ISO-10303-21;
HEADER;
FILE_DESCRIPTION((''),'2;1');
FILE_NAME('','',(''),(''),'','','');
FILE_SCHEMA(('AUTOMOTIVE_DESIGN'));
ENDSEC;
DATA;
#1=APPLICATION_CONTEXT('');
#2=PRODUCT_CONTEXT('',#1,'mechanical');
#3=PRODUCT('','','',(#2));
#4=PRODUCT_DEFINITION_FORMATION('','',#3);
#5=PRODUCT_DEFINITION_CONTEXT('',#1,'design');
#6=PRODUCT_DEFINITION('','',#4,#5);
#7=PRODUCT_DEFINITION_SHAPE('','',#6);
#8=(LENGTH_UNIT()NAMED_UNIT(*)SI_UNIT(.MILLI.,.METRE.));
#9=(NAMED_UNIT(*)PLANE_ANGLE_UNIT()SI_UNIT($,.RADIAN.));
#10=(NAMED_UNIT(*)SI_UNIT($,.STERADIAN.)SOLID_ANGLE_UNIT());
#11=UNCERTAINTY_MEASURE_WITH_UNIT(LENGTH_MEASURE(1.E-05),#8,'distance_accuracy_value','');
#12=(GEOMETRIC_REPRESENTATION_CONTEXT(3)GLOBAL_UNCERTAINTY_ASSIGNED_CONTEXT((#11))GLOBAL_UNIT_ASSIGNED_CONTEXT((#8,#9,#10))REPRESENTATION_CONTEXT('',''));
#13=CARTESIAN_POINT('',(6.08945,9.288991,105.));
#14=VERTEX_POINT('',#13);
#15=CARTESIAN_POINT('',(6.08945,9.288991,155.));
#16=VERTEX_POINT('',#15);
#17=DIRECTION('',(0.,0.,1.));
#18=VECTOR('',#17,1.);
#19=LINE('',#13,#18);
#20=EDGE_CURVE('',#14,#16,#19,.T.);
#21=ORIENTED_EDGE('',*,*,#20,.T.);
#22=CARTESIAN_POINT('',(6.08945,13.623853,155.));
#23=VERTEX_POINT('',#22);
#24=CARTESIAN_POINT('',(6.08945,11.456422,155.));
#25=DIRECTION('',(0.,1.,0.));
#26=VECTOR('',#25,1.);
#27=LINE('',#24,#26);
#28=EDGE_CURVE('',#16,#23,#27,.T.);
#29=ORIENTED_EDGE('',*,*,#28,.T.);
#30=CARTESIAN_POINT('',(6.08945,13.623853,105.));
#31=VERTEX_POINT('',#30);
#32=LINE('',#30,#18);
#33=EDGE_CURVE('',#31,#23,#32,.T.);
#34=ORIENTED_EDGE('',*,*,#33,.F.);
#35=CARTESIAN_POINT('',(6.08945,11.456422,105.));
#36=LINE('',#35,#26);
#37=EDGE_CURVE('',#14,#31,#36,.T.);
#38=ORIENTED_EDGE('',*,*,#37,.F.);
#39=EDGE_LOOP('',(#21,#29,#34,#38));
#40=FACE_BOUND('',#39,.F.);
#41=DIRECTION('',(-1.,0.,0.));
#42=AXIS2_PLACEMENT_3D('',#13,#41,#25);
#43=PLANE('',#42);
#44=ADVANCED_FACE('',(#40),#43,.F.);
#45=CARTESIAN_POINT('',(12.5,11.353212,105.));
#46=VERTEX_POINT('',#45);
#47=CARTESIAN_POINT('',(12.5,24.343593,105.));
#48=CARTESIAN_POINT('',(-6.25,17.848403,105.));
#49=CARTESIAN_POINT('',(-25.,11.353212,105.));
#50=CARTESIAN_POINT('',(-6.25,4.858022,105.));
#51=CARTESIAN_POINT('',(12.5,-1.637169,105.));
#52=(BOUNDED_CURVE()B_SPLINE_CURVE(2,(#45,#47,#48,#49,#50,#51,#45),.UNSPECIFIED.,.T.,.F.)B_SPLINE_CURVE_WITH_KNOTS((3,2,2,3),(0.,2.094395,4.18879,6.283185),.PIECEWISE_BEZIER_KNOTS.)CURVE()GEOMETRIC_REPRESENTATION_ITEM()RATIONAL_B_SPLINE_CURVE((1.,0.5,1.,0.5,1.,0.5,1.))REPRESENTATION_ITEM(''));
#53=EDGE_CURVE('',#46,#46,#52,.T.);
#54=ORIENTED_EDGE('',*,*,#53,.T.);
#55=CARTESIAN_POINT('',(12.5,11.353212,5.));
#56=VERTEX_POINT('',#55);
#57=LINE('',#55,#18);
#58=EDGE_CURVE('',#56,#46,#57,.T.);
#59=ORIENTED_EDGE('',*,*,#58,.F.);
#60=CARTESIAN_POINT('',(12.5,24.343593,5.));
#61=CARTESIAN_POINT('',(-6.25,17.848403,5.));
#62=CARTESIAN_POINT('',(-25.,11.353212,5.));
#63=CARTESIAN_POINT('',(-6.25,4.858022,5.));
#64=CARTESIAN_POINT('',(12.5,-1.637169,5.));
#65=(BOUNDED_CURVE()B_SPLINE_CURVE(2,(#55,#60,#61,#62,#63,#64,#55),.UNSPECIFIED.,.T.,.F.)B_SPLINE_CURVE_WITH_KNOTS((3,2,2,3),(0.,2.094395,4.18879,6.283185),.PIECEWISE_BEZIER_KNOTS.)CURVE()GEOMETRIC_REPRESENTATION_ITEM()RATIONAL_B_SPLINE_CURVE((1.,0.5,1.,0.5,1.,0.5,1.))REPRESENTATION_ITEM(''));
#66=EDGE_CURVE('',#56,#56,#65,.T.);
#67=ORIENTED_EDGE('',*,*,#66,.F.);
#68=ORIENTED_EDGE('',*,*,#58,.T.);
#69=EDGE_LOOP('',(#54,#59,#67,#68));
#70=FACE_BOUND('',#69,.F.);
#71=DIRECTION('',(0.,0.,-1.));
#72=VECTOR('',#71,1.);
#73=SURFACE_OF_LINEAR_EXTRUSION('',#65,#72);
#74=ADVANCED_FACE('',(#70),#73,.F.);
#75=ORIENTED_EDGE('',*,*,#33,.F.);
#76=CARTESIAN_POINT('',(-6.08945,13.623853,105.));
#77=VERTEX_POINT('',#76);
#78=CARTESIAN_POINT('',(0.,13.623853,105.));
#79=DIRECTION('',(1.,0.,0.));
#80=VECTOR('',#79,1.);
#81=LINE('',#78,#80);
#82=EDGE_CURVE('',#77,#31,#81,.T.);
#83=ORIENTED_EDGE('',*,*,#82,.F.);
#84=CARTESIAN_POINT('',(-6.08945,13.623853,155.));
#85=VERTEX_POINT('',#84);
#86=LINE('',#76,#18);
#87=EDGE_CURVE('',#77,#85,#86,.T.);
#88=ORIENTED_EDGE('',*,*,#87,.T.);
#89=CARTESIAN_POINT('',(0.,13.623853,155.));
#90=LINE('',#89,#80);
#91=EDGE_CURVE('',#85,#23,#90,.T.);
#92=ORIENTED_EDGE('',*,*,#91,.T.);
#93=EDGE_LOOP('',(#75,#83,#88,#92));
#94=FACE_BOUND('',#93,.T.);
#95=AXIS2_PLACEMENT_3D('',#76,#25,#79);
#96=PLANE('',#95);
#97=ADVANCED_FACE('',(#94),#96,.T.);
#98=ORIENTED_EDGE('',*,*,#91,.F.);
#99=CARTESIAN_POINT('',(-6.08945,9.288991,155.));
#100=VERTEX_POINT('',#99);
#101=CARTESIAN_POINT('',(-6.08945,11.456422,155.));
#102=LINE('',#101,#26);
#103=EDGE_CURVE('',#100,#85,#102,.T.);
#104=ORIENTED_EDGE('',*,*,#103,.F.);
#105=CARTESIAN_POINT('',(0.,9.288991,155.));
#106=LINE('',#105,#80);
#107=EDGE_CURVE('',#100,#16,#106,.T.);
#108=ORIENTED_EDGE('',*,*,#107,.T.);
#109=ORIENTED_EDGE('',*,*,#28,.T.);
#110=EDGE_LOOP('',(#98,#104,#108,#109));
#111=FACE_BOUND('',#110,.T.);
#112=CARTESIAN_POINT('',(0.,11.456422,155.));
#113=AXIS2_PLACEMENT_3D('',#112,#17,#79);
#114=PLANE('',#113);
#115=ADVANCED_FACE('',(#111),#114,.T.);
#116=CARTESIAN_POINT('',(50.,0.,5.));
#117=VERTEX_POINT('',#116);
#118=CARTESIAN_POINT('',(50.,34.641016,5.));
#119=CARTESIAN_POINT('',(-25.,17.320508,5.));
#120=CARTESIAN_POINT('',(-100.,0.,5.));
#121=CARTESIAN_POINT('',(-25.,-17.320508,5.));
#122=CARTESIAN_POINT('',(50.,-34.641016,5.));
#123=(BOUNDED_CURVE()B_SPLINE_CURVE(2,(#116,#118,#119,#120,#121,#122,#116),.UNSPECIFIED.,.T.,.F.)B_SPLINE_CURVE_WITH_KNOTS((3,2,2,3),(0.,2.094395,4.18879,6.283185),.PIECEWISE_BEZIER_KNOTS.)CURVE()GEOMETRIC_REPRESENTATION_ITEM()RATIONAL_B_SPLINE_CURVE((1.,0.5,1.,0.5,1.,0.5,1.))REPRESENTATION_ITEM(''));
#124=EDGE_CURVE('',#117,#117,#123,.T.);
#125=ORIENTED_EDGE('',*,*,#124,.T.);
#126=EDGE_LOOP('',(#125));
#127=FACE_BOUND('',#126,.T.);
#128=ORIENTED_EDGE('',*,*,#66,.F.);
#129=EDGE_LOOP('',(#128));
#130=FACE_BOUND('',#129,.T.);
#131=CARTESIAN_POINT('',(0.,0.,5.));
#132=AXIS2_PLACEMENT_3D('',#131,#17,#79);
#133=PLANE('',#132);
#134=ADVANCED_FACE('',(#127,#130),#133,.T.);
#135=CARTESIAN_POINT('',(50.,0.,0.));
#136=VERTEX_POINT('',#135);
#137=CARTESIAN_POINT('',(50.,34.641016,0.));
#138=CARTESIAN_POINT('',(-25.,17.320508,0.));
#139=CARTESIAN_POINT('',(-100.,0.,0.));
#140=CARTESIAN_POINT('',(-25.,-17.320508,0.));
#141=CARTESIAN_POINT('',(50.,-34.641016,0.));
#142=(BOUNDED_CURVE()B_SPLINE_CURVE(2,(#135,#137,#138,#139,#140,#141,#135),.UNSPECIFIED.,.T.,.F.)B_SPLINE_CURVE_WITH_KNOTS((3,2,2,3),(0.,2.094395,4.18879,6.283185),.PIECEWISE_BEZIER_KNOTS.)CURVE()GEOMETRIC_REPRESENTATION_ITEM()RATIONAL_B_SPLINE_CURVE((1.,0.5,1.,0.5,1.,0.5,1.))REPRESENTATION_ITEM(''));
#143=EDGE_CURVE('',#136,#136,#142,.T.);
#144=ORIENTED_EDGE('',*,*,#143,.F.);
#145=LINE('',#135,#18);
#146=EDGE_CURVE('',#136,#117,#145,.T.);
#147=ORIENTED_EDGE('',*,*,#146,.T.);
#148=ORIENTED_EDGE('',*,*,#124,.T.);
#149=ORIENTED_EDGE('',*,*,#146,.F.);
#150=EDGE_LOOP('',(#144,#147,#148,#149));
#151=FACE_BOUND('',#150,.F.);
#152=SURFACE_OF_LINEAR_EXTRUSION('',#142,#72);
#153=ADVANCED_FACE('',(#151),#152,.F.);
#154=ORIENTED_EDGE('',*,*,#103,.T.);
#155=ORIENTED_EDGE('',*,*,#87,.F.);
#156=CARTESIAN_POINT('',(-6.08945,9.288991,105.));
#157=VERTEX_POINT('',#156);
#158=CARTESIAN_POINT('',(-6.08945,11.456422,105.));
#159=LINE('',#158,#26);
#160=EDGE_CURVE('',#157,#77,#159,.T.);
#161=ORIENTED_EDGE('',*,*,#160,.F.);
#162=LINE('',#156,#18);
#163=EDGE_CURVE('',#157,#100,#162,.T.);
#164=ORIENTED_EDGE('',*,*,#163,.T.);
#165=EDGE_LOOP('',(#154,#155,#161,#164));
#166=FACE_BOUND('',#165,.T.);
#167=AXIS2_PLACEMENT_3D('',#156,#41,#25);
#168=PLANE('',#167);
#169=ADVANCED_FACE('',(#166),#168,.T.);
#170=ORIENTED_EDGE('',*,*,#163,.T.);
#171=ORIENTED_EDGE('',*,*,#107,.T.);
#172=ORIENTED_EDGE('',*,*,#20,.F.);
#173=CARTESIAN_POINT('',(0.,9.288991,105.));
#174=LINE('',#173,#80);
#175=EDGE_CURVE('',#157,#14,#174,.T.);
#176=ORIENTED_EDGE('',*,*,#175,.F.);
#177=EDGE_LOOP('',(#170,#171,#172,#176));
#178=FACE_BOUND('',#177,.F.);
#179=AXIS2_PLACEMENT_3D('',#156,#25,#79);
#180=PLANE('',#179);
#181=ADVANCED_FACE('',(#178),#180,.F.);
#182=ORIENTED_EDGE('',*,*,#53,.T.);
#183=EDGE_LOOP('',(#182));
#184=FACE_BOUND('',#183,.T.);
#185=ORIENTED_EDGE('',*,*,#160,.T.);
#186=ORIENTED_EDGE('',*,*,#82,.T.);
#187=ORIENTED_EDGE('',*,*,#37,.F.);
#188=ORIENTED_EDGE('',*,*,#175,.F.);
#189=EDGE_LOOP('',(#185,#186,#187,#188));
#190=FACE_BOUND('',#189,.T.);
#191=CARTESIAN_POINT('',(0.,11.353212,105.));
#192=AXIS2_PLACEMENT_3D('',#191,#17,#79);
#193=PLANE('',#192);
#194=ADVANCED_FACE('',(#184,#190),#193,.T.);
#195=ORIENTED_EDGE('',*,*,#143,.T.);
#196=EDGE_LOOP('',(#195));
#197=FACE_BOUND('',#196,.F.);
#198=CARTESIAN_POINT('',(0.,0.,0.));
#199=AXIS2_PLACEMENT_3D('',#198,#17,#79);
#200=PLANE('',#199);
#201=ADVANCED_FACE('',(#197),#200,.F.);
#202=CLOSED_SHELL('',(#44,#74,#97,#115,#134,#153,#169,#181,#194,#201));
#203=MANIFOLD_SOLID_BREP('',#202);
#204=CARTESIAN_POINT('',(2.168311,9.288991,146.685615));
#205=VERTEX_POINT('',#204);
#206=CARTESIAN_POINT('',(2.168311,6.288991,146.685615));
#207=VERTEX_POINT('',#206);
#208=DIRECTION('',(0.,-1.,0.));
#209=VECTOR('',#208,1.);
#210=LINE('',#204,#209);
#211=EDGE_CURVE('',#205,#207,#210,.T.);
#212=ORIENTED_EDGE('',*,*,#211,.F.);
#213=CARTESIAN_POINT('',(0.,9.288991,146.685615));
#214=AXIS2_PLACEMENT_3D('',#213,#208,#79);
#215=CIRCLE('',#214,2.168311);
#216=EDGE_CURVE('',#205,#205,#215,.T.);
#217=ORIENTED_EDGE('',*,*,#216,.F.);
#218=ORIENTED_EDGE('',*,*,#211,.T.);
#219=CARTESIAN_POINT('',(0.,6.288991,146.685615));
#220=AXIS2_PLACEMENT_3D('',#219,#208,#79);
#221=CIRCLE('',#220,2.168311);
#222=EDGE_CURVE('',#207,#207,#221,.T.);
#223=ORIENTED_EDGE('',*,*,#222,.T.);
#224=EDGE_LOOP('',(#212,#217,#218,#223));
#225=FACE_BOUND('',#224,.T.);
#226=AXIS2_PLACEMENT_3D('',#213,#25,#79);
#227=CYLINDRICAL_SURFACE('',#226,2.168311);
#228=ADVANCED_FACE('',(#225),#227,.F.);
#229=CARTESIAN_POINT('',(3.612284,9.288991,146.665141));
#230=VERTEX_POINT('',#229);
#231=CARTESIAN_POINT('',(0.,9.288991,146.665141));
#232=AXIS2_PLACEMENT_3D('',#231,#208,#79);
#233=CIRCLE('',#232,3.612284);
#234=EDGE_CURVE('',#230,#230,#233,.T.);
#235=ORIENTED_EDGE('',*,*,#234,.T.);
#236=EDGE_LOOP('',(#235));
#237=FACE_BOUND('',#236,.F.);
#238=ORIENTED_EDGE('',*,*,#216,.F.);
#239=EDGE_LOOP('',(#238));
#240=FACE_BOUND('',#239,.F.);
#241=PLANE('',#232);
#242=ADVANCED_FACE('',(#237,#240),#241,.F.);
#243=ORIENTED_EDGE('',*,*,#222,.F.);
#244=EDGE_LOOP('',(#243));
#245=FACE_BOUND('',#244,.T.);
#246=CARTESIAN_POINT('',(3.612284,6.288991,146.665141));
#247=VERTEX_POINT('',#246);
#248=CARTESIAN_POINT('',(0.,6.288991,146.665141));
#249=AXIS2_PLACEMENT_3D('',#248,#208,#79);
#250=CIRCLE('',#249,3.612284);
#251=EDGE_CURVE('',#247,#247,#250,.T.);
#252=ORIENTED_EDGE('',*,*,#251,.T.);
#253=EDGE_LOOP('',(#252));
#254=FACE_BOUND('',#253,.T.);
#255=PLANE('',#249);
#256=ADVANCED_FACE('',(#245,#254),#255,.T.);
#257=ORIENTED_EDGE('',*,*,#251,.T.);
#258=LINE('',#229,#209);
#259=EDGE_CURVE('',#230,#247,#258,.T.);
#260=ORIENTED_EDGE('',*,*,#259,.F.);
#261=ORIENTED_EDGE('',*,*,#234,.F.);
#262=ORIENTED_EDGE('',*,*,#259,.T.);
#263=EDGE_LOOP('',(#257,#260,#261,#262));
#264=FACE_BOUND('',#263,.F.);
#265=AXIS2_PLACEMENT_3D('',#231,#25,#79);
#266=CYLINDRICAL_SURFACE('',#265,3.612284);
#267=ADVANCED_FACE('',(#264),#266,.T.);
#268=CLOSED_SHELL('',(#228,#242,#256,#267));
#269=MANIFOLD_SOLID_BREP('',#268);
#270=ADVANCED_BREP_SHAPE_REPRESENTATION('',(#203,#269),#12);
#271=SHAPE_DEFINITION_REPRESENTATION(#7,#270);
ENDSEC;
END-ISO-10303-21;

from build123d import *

# Parameters (mm, degrees)
F1_DEPTH = 5
F4_DEPTH = 100
F5_W     = 12.1789
F5_H     = 4.334862
F6_DEPTH = 50
F8_R     = 3.612284
F8_R_2   = 2.168311
F9_DEPTH = 3


with BuildPart() as f1:
    # F0 (on Top) → F1 (new body)
    with BuildSketch(Plane.XY):
        with BuildLine():
            add(Edge.make_bspline(
                [(50, 0), (50, 34.641016), (-25, 17.320508), (-100, 0), (-25, -17.320508), (50, -34.641016), (50, 0)],
                knots=[0, 0, 0, 2.094395, 2.094395, 4.18879, 4.18879, 6.283185, 6.283185, 6.283185], degree=2, weights=[1, 0.5, 1, 0.5, 1, 0.5, 1]))
        make_face()
    extrude(amount=F1_DEPTH)

    # F3 (on face) → F4 (join)
    with BuildSketch(Plane.XY.offset(5)):
        with BuildLine():
            add(Edge.make_bspline(
                [(12.5, 11.353212), (12.5, 24.343593), (-6.25, 17.848403), (-25, 11.353212), (-6.25, 4.858022), (12.5, -1.637169), (12.5, 11.353212)],
                knots=[0, 0, 0, 2.094395, 2.094395, 4.18879, 4.18879, 6.283185, 6.283185, 6.283185], degree=2, weights=[1, 0.5, 1, 0.5, 1, 0.5, 1]))
        make_face()
    extrude(amount=F4_DEPTH)

    # F5 (on face) → F6 (join)
    with BuildSketch(Plane.XY.offset(105)):
        with Locations((0, 11.456422)):
            Rectangle(F5_W, F5_H)
    extrude(amount=F6_DEPTH)


with BuildPart() as f9:
    # F8 (on face) → F9 (new body)
    with BuildSketch(Plane.XZ.offset(-9.288991)):
        with Locations((0, 146.665141)):
            Circle(F8_R)
        with Locations((0, 146.685615)):
            Circle(F8_R_2, mode=Mode.SUBTRACT)
    extrude(amount=F9_DEPTH)


solid = Compound([f1.part, f9.part])
